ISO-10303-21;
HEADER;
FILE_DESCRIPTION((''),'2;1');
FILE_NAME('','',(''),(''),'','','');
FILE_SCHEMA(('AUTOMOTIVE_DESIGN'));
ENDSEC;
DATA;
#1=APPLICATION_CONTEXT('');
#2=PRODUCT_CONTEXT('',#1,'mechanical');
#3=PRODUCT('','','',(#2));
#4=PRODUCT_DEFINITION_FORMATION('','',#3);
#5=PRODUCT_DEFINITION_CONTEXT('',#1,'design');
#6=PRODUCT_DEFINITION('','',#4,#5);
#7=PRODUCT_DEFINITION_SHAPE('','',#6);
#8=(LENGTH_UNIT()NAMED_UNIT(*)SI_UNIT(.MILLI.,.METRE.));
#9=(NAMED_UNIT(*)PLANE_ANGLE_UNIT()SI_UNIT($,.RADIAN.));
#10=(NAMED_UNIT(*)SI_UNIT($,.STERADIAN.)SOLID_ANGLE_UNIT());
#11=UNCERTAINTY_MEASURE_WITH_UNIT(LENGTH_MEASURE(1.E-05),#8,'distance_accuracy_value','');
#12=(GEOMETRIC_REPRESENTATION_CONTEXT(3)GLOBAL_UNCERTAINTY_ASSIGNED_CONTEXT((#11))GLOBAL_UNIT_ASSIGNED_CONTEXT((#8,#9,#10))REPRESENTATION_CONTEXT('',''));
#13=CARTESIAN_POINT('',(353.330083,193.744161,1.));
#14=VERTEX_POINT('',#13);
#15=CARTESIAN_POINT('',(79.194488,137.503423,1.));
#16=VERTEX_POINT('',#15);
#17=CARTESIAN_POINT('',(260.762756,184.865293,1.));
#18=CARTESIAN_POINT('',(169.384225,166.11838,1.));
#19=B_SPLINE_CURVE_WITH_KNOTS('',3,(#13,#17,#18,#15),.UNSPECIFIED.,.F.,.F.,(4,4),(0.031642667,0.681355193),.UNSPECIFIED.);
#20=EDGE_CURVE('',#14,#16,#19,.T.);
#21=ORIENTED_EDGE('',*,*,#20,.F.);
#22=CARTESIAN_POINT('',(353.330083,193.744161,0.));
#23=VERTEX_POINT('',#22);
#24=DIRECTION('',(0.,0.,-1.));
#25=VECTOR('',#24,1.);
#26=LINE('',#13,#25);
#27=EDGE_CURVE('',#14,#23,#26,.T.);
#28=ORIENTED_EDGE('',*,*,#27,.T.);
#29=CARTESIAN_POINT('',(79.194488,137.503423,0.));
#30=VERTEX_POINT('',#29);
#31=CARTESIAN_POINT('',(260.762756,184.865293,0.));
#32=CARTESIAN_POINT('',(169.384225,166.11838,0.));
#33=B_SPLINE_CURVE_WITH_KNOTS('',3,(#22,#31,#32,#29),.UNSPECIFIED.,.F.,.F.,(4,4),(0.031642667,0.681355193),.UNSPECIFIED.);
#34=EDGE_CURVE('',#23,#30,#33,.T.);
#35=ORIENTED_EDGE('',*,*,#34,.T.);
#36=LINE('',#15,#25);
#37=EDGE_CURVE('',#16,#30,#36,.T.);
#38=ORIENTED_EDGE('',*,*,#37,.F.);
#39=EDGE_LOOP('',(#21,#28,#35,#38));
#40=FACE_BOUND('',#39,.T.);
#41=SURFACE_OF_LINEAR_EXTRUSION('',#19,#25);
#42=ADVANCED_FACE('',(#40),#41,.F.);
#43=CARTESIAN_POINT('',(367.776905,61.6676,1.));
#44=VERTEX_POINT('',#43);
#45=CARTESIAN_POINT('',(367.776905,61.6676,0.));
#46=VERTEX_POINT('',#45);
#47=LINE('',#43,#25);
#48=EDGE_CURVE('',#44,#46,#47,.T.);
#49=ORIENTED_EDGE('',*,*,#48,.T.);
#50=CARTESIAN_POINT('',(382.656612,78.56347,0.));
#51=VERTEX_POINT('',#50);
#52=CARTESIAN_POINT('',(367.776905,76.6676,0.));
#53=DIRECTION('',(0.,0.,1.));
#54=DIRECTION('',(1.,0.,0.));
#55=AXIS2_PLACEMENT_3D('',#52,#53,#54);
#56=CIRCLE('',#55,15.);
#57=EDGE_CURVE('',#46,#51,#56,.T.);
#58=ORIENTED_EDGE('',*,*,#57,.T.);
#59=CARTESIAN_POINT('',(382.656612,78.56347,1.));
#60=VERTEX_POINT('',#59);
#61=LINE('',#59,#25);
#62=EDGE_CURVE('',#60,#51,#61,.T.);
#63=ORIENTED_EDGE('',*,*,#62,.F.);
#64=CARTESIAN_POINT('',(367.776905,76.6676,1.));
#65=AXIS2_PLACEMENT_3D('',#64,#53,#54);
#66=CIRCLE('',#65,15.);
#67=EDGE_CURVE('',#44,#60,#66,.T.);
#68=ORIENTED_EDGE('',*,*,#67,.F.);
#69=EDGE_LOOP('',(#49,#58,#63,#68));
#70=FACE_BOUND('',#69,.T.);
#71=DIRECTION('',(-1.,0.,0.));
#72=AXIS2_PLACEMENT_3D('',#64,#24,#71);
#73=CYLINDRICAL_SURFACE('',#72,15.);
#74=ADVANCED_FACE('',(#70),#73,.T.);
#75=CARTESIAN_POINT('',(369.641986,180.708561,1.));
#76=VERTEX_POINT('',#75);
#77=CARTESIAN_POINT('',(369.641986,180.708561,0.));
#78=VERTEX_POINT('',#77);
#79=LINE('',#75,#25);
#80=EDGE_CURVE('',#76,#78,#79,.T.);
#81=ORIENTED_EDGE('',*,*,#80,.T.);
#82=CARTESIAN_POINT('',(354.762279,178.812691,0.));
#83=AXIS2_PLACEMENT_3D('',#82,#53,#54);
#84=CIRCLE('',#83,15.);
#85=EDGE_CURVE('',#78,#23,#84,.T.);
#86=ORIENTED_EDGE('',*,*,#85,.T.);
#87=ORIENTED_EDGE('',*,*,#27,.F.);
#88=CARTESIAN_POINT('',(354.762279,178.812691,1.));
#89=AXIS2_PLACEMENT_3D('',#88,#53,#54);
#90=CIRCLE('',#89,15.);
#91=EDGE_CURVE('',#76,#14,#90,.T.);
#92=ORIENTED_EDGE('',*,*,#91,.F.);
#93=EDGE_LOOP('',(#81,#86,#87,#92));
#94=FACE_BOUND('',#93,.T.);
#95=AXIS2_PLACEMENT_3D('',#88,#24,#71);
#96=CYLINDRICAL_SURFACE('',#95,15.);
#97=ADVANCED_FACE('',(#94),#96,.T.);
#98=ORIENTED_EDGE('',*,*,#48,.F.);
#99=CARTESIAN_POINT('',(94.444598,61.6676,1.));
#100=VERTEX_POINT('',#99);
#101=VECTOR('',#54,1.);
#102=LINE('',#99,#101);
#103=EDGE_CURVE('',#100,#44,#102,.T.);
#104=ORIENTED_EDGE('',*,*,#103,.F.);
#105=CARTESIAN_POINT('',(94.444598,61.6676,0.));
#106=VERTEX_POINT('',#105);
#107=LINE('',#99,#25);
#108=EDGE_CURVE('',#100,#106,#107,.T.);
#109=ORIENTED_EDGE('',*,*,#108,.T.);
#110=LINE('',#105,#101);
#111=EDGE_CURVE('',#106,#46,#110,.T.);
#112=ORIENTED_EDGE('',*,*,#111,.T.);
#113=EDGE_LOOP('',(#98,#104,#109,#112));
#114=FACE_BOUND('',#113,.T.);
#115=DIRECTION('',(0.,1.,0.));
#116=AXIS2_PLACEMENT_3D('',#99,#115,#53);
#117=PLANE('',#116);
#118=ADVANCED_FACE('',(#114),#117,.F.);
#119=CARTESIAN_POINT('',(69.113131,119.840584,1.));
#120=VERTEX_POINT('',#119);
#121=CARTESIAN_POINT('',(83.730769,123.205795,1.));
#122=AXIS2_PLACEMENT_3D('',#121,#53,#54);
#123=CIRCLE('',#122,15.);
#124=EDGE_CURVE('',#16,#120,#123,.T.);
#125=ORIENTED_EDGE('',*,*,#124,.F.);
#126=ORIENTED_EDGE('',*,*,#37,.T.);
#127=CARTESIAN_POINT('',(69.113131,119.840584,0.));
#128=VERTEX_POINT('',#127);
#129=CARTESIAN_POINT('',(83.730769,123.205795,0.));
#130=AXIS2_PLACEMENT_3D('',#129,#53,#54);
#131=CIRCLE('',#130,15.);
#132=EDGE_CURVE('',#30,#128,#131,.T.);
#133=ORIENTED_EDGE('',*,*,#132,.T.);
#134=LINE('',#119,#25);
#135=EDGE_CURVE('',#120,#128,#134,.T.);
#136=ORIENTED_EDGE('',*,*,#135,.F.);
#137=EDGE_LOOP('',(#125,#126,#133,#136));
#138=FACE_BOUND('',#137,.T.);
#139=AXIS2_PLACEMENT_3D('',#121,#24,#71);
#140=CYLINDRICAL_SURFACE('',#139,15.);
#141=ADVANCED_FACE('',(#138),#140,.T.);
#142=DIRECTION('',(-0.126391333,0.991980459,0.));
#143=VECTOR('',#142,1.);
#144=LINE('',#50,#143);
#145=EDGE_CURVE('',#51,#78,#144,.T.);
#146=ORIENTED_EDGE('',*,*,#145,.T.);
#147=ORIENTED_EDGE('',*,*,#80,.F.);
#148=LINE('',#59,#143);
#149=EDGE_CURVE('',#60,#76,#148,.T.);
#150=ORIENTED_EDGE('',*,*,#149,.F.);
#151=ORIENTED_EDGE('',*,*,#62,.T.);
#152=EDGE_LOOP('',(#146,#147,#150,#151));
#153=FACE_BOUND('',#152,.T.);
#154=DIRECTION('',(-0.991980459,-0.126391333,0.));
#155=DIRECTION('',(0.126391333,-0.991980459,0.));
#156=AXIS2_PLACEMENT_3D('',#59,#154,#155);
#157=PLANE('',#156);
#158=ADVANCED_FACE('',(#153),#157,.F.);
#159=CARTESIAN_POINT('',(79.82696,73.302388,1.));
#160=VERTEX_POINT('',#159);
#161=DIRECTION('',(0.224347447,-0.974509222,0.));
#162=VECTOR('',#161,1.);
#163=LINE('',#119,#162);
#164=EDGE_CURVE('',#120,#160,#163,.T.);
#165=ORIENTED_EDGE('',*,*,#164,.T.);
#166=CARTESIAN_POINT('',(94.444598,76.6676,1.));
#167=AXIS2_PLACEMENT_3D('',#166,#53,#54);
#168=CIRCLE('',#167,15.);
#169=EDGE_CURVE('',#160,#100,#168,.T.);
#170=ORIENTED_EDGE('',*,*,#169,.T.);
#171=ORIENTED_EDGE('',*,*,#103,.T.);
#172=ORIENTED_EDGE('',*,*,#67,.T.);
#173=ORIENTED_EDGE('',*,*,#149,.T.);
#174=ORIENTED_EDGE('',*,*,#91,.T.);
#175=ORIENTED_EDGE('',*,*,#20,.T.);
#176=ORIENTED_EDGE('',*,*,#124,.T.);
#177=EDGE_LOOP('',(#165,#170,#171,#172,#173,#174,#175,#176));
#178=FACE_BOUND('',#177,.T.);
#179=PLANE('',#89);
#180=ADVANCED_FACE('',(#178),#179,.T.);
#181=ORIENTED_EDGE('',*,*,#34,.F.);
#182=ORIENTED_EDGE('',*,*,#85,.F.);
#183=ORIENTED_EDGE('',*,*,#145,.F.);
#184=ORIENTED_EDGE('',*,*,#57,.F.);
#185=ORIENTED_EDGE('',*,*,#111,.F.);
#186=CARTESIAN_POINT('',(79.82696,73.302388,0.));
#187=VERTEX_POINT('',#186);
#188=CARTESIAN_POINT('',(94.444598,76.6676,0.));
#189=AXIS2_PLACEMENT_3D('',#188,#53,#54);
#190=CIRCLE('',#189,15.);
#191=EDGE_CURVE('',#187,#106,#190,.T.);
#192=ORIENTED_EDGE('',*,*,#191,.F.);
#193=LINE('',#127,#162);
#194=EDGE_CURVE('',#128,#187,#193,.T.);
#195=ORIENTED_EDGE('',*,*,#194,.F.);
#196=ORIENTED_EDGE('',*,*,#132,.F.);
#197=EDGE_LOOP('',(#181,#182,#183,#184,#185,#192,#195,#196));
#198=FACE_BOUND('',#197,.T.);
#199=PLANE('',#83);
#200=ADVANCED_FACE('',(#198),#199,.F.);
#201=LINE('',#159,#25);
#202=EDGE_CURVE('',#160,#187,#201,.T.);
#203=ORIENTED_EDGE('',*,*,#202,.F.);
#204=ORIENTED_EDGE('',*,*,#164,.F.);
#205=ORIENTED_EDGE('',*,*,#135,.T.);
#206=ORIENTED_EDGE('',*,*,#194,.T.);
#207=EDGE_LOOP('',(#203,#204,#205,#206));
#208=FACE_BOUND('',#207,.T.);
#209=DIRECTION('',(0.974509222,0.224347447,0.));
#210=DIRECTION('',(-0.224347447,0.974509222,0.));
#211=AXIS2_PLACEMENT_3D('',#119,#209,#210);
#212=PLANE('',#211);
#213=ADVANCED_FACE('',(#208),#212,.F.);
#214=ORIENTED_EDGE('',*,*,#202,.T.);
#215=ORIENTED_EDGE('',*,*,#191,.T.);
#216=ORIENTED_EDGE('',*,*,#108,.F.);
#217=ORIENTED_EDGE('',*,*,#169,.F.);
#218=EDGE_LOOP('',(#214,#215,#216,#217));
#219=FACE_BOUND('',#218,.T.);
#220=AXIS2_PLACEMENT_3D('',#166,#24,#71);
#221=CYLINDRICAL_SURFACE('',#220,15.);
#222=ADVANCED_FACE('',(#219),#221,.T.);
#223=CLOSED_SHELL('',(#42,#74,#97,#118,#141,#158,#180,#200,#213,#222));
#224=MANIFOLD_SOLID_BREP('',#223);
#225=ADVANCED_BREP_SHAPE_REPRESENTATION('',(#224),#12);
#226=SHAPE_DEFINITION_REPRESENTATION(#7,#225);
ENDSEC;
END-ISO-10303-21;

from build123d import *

# Parameters (mm, degrees)
RESSALTO_EXTRUS_O1_DEPTH = 1


with BuildPart() as part:
    # Esboço1 → Ressalto-extrusão1 (new body)
    with BuildSketch(Plane.XY):
        with BuildLine():
            Line((94.444598391, 61.667599804), (367.776904696, 61.667599804))
            ThreePointArc((367.776904696, 61.667599804), (379.03385921, 66.75392364), (382.656611581, 78.563469793))
            Line((382.656611581, 78.563469793), (369.641986092, 180.708560753))
            ThreePointArc((369.641986092, 180.708560753), (364.126605538, 190.530599808), (353.330083137, 193.744161368))
            add(Edge.make_bspline(
                [(79.194488068, 137.503422788), (169.384224686, 166.11838017), (260.762756376, 184.86529303), (353.330083137, 193.744161368)],
                knots=[0.031642667, 0.031642667, 0.031642667, 0.031642667, 0.681355193, 0.681355193, 0.681355193, 0.681355193], degree=3))
            ThreePointArc((79.194488068, 137.503422788), (70.703408387, 130.641376571), (69.113130899, 119.840583547))
            Line((69.113130899, 119.840583547), (79.826960066, 73.302388103))
            ThreePointArc((79.826960066, 73.302388103), (85.103243444, 64.931370096), (94.444598391, 61.667599804))
        make_face()
    extrude(amount=RESSALTO_EXTRUS_O1_DEPTH)


solid = part.part
